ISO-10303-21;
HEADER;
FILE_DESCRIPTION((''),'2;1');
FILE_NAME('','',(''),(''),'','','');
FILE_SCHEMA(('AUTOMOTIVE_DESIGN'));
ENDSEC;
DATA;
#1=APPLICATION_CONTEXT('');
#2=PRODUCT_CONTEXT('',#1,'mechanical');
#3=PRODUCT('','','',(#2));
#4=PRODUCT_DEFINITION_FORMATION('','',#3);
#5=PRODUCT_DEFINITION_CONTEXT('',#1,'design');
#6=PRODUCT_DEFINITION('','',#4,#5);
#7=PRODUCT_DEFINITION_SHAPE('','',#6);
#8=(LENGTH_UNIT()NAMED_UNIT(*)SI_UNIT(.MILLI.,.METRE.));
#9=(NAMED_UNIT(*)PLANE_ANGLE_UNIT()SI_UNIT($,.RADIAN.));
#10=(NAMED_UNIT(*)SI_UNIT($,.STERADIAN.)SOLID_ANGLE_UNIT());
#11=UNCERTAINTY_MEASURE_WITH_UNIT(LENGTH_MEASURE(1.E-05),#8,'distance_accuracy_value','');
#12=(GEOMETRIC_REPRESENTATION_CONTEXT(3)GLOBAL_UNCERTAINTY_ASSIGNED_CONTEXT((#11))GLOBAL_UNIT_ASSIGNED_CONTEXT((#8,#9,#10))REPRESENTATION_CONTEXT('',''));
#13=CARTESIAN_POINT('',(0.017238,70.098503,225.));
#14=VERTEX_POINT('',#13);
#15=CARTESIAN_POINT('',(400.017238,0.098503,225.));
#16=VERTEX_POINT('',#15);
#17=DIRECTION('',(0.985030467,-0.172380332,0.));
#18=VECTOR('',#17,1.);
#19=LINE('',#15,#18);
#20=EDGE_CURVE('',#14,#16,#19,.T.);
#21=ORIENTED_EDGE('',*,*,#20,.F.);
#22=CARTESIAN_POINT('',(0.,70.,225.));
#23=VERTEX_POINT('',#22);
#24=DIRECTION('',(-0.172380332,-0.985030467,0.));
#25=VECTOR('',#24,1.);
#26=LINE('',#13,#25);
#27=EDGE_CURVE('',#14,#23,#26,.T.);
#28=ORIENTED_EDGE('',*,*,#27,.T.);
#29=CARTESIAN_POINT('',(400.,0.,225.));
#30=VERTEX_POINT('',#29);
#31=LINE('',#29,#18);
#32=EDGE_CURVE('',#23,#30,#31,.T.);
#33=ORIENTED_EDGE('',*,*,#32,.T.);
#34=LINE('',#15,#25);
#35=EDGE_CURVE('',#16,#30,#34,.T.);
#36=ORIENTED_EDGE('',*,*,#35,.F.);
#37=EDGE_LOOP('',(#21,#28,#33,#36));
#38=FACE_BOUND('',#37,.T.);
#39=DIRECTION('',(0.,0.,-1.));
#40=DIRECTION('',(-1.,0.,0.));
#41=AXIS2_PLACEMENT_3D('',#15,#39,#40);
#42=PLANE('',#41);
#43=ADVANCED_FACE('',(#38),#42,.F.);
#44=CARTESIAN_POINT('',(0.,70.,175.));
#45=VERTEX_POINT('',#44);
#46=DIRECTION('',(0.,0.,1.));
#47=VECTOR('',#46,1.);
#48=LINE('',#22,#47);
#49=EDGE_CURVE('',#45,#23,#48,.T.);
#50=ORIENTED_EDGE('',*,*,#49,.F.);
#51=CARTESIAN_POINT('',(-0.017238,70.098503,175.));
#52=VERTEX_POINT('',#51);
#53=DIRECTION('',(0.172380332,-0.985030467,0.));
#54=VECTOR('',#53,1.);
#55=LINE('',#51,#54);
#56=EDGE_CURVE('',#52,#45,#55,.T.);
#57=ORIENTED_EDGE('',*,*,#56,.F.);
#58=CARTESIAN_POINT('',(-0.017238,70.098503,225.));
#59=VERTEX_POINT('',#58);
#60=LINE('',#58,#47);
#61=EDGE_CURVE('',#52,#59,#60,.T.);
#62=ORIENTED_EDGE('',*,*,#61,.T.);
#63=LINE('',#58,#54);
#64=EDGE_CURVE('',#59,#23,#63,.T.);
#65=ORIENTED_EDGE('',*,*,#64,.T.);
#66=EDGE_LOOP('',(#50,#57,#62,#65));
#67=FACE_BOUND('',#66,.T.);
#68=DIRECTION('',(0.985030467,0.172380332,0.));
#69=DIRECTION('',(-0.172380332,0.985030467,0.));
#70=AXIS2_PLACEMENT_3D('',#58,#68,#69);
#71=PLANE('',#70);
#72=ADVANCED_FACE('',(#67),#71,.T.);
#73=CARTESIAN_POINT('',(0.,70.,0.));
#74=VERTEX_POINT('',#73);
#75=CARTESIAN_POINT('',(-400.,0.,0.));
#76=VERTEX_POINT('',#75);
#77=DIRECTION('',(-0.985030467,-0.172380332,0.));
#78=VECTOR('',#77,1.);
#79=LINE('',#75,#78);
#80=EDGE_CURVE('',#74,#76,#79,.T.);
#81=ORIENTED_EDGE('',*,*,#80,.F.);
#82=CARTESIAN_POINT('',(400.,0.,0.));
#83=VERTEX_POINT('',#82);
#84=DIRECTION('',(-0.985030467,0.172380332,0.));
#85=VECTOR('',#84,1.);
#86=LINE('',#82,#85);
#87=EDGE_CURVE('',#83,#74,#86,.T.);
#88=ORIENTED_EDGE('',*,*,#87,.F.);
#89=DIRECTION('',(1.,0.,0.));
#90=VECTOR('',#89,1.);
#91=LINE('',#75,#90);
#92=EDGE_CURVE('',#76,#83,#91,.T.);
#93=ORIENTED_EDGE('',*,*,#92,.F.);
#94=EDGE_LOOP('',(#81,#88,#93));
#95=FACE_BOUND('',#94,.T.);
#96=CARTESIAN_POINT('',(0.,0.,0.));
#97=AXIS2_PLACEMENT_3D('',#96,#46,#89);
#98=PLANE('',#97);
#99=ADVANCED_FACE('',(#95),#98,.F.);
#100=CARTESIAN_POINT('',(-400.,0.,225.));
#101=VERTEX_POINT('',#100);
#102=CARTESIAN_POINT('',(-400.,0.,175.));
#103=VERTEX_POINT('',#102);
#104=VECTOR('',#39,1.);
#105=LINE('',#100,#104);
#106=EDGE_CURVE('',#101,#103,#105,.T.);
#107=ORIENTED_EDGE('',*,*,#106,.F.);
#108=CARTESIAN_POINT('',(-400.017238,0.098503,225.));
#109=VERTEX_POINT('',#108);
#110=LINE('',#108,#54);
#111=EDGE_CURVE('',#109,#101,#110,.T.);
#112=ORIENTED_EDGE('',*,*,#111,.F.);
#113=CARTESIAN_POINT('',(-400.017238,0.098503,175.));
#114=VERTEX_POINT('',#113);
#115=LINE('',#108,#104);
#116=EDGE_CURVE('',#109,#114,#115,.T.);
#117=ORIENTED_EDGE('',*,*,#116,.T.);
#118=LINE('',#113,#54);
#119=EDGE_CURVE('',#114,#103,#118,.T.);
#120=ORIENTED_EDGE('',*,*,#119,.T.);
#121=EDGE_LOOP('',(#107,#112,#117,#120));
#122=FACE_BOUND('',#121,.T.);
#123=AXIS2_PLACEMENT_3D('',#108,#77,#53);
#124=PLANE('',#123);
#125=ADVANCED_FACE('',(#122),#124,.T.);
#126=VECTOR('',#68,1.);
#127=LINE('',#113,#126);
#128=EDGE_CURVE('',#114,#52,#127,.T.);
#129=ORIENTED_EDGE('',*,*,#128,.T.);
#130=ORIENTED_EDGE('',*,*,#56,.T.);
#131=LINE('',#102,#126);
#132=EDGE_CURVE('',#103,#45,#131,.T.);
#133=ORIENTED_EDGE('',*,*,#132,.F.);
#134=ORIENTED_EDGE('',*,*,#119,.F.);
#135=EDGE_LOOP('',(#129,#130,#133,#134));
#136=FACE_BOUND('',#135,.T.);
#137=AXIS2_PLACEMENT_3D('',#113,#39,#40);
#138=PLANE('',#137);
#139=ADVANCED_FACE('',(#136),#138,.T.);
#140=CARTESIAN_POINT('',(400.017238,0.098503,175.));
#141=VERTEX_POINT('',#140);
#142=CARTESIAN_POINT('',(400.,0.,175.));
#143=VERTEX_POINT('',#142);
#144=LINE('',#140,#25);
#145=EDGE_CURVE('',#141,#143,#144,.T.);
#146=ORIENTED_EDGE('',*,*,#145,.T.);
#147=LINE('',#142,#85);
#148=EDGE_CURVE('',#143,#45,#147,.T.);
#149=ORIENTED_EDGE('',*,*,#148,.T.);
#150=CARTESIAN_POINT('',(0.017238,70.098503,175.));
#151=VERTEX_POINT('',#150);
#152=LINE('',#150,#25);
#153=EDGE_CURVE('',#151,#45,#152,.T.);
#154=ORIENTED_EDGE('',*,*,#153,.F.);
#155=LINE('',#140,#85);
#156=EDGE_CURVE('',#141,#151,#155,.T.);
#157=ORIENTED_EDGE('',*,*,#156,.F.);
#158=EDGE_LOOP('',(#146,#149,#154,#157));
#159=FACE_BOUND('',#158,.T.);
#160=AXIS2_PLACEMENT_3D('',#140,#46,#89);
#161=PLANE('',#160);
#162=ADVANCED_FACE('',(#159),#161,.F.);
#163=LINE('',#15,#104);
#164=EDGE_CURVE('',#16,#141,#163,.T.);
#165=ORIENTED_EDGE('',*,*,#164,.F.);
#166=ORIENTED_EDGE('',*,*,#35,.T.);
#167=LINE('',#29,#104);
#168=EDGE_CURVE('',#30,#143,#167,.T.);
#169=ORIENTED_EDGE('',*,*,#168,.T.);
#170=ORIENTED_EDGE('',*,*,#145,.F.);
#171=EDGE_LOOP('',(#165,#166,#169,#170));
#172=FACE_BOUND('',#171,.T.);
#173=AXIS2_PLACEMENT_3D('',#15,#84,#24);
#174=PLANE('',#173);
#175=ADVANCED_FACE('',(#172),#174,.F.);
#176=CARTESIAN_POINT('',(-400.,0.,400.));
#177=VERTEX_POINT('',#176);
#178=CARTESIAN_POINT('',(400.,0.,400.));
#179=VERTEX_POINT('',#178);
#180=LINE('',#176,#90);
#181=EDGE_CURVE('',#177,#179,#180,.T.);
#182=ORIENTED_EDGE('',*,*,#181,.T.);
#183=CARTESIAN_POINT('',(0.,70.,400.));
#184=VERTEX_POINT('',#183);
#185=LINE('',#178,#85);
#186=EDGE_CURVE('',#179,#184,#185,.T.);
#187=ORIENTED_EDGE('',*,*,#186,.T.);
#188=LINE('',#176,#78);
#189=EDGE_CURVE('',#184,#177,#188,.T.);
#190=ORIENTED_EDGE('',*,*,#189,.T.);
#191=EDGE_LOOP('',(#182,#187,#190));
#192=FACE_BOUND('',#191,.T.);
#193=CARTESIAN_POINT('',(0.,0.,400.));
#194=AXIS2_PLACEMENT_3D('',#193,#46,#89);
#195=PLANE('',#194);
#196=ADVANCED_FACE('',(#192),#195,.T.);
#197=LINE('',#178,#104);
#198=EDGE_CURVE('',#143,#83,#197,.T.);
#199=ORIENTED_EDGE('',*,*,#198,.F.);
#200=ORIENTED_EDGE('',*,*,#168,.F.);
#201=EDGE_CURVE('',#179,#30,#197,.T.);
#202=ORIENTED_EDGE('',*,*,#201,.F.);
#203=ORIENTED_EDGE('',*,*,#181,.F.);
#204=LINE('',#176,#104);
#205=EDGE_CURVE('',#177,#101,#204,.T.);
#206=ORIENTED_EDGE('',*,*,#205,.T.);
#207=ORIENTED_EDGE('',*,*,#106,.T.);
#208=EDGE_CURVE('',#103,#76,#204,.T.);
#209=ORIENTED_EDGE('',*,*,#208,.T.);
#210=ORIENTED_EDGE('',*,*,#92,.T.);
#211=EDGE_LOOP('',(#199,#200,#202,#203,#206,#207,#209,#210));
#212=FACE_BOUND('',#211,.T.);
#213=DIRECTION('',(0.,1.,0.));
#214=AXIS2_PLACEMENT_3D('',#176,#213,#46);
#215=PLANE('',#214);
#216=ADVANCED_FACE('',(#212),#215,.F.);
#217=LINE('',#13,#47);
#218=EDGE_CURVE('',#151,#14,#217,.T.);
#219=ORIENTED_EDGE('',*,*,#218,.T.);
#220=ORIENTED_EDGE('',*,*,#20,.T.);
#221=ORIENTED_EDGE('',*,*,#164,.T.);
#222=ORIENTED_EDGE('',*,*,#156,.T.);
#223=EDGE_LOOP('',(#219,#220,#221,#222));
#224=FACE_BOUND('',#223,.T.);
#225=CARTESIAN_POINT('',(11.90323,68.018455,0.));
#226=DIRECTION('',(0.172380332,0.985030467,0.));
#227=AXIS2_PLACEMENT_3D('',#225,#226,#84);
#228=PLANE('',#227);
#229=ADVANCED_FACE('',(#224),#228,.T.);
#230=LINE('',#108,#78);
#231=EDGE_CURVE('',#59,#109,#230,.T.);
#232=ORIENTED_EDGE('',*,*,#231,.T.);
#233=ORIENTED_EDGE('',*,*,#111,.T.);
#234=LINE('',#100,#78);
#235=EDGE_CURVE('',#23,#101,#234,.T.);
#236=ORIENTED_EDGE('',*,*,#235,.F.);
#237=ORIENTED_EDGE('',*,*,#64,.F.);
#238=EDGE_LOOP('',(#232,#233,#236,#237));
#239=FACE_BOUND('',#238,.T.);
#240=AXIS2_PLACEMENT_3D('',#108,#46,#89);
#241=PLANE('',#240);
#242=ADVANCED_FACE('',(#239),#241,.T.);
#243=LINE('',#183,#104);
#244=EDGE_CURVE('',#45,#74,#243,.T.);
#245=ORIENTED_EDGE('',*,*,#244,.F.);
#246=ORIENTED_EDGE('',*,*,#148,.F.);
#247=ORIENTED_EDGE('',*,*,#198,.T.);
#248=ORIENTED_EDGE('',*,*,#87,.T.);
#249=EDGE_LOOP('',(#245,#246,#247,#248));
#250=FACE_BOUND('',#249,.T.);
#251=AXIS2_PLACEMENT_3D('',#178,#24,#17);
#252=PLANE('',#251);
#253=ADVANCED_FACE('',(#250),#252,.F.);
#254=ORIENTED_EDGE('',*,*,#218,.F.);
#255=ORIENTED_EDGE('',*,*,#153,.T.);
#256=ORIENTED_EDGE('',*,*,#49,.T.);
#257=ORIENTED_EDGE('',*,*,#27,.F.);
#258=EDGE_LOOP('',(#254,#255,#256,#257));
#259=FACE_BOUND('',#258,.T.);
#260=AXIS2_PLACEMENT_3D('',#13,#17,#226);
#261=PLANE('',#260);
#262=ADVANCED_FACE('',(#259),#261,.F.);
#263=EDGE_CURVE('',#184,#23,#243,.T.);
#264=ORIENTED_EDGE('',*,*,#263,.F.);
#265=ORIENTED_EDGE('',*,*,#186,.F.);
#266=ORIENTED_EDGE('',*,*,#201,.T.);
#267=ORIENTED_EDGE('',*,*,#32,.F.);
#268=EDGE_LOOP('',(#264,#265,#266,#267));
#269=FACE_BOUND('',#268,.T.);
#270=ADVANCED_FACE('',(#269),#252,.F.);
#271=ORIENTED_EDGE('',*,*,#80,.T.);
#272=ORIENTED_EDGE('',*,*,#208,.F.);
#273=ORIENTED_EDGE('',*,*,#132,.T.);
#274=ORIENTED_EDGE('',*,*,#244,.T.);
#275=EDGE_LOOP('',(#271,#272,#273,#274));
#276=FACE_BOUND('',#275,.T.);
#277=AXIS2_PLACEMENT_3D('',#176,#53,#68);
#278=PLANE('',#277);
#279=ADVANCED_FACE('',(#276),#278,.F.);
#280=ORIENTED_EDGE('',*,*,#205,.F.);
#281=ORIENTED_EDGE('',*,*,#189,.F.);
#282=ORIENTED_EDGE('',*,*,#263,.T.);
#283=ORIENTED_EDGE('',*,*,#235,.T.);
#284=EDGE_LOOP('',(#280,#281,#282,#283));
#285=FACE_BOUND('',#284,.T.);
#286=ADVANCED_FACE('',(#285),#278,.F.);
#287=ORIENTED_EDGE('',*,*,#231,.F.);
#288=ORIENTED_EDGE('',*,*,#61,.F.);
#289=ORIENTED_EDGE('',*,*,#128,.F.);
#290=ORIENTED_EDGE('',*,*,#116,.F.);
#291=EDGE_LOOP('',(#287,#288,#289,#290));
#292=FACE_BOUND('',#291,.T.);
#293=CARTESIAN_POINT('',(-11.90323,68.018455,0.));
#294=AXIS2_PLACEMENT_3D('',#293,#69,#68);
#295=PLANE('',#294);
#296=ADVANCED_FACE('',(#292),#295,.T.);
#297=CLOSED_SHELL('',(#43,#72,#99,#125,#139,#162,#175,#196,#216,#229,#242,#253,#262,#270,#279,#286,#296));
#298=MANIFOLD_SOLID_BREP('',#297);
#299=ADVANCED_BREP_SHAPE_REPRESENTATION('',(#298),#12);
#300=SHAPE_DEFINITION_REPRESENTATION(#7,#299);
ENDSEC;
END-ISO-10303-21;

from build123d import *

# Parameters (mm, degrees)
EXTRUDE_1_DEPTH = 400
SKETCH_2_W      = 406.078810085
SKETCH_2_H      = 50
EXTRUDE_2_DEPTH = 0.1


with BuildPart() as part:
    # Эскиз1 → Бобышка-Вытянуть1 (new body)
    with BuildSketch(Plane.XY):
        Polygon((-400, 0), (400, 0), (0, 70), align=None)
    extrude(amount=EXTRUDE_1_DEPTH)

    # Эскиз2 → Бобышка-Вытянуть2 (add)
    with BuildSketch(Plane(origin=(11.88599151, 67.919951486, 0), x_dir=(0.9850304671557042, -0.17238033175224823, 0), z_dir=(0.17238033175224823, 0.9850304671557042, 0))):
        with Locations((190.972781819, -200)):
            Rectangle(SKETCH_2_W, SKETCH_2_H)
    extrude_2 = extrude(amount=EXTRUDE_2_DEPTH)

    # Зеркальное отражение1: Бобышка-Вытянуть2 across plane
    add(extrude_2.mirror(Plane(origin=(0, 0, 0), x_dir=(0, 0, 1), z_dir=(1, 0, 0))))


solid = part.part
